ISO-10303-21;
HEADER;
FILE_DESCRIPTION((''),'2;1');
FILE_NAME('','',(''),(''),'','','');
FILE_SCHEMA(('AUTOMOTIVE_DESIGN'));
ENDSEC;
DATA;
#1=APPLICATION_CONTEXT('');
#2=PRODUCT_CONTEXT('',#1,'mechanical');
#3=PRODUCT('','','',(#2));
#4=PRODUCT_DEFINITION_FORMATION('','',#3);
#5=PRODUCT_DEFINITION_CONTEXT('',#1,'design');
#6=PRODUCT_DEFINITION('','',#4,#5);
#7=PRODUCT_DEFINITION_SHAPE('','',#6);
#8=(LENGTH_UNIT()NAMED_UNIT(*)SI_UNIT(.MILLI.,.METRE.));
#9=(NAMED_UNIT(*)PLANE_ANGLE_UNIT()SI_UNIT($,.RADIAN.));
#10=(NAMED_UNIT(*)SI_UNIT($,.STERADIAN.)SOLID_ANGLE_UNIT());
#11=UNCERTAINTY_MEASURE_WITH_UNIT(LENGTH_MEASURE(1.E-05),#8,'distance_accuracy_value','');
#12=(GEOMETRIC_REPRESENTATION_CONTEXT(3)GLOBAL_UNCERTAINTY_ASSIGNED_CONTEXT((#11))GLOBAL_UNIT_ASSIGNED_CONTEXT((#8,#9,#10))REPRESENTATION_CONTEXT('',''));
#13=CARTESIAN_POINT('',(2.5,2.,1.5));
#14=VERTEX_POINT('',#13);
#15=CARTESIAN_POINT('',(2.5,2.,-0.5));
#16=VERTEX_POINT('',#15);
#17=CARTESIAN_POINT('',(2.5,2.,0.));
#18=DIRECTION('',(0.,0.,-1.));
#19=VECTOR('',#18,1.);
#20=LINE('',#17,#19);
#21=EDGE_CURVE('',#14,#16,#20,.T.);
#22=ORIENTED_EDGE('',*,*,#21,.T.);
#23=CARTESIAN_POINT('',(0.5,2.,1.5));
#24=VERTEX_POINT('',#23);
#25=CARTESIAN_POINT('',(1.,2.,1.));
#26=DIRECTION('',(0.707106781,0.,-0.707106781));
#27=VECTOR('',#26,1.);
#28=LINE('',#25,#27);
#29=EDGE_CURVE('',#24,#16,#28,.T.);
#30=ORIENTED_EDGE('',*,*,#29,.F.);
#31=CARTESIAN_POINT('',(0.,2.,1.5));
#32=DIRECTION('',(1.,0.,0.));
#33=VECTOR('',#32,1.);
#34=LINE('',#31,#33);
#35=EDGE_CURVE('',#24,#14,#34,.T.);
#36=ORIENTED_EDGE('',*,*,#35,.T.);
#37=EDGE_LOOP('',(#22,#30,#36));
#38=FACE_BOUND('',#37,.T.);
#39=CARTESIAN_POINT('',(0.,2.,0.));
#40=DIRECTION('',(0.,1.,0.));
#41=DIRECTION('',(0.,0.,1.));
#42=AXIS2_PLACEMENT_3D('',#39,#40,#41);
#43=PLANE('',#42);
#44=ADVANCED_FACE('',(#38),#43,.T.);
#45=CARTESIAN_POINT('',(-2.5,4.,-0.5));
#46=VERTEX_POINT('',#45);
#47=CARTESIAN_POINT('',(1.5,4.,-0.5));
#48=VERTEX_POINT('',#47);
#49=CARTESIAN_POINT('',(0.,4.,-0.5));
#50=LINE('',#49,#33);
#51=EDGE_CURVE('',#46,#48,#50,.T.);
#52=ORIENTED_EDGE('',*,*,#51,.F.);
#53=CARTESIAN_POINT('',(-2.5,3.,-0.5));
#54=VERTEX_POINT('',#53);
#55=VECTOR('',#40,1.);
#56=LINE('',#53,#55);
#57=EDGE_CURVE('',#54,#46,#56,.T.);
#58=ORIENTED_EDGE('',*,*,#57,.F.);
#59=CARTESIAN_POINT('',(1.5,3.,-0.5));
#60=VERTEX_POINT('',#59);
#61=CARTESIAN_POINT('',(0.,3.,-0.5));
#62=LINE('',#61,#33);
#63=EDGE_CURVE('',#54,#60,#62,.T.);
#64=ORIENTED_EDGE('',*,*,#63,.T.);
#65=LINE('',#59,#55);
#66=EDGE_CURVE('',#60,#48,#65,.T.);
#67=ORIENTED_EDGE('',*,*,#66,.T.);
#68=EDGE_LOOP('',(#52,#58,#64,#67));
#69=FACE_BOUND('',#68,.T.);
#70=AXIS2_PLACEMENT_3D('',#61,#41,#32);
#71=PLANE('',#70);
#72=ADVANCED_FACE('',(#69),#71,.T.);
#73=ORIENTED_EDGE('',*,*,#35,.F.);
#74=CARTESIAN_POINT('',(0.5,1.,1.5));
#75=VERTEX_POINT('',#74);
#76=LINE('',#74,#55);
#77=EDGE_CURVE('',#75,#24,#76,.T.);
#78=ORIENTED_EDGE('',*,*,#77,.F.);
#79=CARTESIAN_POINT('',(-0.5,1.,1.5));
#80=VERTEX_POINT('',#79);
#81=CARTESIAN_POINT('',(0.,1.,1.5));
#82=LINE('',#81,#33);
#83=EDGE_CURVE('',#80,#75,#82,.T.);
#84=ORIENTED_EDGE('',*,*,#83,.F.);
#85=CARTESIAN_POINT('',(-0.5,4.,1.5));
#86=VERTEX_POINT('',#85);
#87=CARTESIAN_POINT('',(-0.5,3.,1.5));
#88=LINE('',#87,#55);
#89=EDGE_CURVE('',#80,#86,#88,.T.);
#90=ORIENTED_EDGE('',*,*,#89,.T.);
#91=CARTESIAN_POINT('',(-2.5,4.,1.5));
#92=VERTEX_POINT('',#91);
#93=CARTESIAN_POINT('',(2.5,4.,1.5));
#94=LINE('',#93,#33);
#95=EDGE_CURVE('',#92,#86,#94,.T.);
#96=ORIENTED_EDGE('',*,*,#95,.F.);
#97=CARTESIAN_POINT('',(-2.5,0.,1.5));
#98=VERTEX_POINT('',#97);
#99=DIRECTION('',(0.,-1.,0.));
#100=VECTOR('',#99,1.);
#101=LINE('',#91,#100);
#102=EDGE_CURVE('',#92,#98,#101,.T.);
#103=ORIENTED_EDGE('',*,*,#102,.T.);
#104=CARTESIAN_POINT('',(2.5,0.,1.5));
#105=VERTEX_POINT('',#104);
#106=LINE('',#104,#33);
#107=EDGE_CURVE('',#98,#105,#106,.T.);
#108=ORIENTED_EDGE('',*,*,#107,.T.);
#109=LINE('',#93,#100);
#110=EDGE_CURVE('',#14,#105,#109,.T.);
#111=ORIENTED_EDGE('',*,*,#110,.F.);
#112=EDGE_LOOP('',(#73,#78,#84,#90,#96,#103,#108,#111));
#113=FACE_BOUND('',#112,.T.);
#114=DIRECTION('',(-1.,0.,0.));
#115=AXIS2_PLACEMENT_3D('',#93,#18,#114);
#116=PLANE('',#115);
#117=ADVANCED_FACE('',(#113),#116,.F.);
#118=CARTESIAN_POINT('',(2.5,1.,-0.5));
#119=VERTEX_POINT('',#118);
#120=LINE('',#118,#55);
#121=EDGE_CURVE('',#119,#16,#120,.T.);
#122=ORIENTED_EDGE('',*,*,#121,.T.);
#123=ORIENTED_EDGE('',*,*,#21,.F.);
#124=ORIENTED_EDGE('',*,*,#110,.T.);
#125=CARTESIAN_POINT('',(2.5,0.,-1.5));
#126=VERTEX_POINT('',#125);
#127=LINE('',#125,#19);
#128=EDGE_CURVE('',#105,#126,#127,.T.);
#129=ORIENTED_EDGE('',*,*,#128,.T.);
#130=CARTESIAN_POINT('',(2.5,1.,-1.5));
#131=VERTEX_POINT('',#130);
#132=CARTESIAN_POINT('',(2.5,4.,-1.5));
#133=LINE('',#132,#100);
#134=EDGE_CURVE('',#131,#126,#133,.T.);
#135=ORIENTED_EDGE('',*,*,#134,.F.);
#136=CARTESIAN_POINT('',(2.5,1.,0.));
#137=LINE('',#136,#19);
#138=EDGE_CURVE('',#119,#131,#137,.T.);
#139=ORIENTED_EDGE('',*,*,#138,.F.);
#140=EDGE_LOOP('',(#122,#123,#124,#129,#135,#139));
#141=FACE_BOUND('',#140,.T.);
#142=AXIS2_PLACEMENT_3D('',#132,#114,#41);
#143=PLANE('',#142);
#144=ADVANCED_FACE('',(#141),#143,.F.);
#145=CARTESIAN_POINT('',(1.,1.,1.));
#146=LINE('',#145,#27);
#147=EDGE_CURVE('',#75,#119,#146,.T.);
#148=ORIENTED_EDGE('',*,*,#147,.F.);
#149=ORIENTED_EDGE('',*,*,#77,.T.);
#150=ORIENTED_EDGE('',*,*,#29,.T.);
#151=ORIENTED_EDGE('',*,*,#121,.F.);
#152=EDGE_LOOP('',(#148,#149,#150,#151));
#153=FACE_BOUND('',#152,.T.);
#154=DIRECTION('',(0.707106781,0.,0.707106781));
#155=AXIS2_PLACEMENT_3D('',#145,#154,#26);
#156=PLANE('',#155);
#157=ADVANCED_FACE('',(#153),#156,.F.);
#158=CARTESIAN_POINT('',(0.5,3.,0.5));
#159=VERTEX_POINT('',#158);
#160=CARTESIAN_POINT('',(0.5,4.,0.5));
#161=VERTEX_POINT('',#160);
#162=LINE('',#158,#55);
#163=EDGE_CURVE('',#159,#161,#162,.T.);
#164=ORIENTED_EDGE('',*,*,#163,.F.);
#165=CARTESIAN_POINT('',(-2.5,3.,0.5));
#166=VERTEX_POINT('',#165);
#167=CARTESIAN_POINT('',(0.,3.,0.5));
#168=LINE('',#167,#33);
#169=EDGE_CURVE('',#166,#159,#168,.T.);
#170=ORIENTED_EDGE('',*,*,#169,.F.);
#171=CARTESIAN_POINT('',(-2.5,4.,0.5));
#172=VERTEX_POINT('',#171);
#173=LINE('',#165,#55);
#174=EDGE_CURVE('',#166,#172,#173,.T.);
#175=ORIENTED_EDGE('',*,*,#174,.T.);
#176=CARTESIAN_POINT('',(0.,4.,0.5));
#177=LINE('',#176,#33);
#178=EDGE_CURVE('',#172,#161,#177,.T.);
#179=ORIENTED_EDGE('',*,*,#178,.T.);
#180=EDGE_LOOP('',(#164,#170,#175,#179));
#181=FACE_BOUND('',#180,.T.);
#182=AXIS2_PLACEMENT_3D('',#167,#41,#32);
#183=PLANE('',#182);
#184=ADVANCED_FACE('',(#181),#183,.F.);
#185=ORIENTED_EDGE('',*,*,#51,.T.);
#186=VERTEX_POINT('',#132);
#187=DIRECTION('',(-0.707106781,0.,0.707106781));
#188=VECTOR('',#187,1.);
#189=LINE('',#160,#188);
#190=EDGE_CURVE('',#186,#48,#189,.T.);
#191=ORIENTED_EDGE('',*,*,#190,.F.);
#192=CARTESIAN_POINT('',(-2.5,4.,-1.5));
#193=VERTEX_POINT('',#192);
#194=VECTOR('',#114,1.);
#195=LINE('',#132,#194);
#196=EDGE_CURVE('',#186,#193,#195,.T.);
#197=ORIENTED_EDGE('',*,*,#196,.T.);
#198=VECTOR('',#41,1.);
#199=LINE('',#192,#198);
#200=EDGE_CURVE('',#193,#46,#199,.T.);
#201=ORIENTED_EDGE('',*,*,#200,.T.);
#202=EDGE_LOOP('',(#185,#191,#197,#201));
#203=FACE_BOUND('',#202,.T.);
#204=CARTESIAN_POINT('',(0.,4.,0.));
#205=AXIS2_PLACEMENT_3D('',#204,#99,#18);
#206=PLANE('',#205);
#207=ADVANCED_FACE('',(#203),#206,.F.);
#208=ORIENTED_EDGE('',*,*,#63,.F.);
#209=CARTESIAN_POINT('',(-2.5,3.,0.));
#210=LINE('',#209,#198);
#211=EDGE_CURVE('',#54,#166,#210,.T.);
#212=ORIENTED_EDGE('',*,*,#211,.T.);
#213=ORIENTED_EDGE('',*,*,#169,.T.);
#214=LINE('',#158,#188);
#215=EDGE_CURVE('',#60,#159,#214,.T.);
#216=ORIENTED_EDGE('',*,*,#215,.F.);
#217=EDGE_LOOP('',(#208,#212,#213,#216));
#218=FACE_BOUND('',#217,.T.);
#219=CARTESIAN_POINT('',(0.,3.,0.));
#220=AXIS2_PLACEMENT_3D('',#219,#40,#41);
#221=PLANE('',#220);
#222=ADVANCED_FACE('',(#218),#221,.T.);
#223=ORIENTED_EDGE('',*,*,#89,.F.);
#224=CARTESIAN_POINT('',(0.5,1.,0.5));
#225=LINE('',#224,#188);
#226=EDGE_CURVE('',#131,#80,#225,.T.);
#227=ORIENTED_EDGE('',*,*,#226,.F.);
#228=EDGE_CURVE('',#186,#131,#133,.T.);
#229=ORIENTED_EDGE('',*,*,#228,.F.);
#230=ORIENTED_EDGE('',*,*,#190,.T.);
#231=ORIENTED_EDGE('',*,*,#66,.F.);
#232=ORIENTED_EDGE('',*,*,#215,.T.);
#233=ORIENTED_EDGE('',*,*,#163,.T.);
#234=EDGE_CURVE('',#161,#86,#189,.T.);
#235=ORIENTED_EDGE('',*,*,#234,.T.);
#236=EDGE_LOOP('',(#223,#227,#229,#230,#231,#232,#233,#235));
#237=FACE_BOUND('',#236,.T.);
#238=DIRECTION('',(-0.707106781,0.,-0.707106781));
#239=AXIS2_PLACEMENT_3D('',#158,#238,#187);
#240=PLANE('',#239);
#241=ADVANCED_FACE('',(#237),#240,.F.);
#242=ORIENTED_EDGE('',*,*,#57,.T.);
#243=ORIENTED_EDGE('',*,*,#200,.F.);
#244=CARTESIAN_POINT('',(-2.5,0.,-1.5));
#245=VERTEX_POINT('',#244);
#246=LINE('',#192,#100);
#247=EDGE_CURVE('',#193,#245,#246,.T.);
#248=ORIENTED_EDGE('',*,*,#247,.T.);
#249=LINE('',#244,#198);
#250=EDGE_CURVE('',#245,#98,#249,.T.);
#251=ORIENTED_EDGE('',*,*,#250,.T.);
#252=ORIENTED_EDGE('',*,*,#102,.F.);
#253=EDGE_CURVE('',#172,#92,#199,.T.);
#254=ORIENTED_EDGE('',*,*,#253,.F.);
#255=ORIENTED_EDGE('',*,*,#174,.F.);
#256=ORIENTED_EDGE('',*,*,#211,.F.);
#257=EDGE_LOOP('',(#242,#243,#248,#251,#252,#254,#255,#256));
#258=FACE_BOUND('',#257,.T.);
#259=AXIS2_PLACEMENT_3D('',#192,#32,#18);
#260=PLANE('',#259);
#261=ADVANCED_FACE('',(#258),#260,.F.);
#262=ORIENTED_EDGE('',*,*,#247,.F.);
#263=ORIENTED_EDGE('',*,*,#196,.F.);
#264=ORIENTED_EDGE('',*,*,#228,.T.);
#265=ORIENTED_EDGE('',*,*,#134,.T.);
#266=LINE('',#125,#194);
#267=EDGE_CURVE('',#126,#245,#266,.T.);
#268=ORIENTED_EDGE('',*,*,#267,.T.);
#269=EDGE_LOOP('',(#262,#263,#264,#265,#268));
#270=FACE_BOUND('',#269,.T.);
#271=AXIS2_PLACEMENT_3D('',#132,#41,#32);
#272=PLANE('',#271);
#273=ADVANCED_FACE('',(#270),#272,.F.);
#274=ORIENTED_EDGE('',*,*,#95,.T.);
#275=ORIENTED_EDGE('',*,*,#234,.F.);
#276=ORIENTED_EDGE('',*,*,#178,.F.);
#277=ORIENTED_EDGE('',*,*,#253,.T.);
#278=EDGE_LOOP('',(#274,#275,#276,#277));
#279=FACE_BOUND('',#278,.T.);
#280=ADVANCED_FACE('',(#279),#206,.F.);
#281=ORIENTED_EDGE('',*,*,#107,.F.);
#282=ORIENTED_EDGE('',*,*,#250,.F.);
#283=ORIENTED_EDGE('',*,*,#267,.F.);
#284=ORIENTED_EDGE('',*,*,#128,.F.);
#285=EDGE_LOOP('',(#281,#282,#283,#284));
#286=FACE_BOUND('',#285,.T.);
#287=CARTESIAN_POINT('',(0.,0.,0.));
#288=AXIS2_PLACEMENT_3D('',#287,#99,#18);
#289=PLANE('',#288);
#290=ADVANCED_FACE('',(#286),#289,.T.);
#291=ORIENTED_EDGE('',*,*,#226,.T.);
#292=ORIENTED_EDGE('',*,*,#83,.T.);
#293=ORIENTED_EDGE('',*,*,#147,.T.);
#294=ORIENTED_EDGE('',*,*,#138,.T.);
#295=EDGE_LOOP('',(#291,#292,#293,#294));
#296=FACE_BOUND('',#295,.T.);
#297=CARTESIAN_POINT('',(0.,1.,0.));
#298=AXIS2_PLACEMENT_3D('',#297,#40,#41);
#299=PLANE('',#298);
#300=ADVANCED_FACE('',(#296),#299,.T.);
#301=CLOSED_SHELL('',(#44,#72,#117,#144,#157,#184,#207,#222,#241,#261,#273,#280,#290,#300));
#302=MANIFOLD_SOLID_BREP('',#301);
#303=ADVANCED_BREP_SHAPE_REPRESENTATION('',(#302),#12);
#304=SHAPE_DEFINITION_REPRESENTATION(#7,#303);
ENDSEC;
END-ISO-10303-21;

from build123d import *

# Parameters (mm, degrees)
SKETCH_1_W          = 5
SKETCH_1_H          = 3
EXTRUDE_1_DEPTH     = 4
CUT_EXTRUDE_1_DEPTH = 1
CUT_EXTRUDE_2_DEPTH = 3
CUT_EXTRUDE_3_DEPTH = 2


with BuildPart() as part:
    # 草圖1 → 填料-伸長1 (new body)
    with BuildSketch(Plane(origin=(0, 0, 0), x_dir=(1, 0, 0), z_dir=(0, 1, 0))):
        Rectangle(SKETCH_1_W, SKETCH_1_H)
    extrude(amount=EXTRUDE_1_DEPTH)

    # 草圖3 → 除料-伸長1 (cut)
    with BuildSketch(Plane(origin=(0, 4, 0), x_dir=(1, 0, 0), z_dir=(0, 1, 0))):
        Polygon((-2.5, 0.5), (-2.5, -0.5), (0.5, -0.5), (-0.5, -1.5), (2.5, -1.5), (2.5, 1.5), (1.5, 0.5), align=None)
    extrude(amount=-CUT_EXTRUDE_1_DEPTH, mode=Mode.SUBTRACT)

    # 草圖3<3> → 除料-伸長2 (cut)
    with BuildSketch(Plane(origin=(0, 4, 0), x_dir=(1, 0, 0), z_dir=(0, 1, 0))):
        Polygon((1.5, 0.5), (0.5, -0.5), (-0.5, -1.5), (0.5, -1.5), (2.5, 0.5), (2.5, 1.5), align=None)
    extrude(amount=-CUT_EXTRUDE_2_DEPTH, mode=Mode.SUBTRACT)

    # 草圖3<4> → 除料-伸長3 (cut)
    with BuildSketch(Plane(origin=(0, 4, 0), x_dir=(1, 0, 0), z_dir=(0, 1, 0))):
        Polygon((2.5, 0.5), (0.5, -1.5), (2.5, -1.5), align=None)
    extrude(amount=-CUT_EXTRUDE_3_DEPTH, mode=Mode.SUBTRACT)


solid = part.part
